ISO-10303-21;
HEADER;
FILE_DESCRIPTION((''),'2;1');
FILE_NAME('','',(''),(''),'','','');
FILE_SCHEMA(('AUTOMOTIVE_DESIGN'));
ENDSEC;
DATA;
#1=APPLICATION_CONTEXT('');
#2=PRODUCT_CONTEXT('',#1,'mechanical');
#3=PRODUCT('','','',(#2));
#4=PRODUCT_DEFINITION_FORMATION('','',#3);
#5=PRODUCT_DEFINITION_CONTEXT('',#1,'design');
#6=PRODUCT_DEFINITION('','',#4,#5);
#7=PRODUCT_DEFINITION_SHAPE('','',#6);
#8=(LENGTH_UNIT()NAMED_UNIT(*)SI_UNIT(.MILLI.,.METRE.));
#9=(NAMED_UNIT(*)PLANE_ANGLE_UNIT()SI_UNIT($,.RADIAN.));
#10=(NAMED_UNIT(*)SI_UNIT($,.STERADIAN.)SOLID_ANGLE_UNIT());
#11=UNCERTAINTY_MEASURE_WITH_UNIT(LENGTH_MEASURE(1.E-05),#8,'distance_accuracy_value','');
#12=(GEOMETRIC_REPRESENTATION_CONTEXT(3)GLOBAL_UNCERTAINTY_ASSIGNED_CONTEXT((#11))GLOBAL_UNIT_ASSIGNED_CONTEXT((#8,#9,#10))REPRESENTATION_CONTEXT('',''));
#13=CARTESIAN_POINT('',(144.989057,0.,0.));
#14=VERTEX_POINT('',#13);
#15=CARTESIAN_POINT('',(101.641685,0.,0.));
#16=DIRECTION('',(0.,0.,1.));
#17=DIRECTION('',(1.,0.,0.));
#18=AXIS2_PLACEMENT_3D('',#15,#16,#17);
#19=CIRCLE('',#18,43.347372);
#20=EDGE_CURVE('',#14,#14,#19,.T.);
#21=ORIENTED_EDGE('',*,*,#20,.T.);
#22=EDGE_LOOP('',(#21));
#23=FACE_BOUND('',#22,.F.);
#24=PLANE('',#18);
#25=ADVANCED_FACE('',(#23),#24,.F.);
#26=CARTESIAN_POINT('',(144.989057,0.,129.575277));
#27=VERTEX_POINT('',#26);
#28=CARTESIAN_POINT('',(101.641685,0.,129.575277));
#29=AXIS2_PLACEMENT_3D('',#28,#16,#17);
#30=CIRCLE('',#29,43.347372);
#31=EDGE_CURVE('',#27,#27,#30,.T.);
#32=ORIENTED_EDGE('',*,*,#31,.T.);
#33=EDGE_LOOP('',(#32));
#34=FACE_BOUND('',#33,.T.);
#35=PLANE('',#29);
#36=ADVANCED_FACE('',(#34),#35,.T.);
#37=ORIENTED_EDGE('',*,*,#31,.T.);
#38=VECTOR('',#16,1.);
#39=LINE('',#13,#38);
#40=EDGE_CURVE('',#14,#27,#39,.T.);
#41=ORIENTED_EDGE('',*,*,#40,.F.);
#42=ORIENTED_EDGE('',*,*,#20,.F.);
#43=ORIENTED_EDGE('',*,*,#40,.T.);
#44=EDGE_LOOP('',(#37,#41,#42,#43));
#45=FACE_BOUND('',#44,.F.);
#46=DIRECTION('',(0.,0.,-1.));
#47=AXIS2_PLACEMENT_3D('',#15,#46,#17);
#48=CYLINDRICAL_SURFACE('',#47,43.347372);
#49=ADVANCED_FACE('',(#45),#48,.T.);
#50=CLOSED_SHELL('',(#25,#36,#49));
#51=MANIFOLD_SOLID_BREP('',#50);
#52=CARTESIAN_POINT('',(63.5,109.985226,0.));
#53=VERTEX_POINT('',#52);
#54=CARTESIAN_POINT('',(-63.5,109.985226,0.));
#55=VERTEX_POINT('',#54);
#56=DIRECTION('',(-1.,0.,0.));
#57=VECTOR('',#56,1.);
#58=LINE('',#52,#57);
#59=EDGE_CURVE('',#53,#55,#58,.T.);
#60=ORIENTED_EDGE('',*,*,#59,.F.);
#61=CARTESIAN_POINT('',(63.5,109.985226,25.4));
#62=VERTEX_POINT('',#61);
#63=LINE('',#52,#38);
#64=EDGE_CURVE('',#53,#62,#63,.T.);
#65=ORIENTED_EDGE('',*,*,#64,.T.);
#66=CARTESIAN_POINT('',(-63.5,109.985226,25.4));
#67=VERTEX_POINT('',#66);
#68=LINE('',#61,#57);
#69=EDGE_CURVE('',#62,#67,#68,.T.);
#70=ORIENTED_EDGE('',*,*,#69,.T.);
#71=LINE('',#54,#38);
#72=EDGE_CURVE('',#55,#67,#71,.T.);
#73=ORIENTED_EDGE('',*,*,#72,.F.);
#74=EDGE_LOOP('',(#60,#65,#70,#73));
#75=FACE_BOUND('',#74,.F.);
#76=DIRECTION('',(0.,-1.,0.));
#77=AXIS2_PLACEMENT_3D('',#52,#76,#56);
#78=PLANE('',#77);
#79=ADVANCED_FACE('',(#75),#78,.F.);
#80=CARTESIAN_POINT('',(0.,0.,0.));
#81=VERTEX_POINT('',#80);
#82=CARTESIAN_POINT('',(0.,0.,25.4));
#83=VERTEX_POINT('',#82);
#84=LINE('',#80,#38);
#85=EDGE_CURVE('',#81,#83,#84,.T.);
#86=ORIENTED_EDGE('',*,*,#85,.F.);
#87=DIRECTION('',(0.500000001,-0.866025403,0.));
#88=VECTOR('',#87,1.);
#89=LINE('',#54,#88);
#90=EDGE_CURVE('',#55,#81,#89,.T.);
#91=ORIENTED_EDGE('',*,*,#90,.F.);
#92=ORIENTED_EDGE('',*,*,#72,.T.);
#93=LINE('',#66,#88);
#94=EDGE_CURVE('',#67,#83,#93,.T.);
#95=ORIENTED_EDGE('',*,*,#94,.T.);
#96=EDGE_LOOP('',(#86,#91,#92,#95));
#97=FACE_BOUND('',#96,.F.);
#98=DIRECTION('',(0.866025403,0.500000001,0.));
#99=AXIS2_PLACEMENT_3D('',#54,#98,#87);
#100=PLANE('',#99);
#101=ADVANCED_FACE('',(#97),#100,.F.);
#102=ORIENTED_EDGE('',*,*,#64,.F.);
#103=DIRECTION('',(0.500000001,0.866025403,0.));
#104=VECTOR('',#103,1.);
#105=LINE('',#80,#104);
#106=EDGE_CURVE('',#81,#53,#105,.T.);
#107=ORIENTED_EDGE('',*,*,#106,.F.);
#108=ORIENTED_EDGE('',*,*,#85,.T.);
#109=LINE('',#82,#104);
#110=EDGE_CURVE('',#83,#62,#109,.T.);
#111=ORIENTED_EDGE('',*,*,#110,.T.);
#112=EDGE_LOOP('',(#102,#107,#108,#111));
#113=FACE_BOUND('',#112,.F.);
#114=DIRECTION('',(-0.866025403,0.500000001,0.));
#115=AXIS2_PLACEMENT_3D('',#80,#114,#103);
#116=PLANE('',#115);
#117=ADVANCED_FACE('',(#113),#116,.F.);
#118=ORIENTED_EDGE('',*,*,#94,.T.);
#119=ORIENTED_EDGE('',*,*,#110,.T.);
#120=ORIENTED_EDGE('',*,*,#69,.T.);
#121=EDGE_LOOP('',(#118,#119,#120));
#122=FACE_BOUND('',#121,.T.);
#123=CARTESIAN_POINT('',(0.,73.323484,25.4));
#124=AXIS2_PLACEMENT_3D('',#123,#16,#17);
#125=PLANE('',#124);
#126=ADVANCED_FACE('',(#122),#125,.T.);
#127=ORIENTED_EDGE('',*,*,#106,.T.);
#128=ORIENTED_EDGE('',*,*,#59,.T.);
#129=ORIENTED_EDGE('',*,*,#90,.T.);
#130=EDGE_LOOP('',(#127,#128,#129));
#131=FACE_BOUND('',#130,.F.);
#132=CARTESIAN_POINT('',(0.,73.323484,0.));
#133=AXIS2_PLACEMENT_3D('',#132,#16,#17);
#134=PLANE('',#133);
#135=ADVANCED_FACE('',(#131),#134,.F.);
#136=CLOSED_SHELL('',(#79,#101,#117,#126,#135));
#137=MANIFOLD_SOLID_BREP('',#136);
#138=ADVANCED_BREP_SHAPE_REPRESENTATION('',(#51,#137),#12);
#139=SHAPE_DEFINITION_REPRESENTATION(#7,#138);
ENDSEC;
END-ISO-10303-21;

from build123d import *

# Parameters (mm, degrees)
F1_DEPTH = 25.4
F2_R     = 43.347372
F3_DEPTH = 129.575277


with BuildPart() as f1:
    # F0 (on Top) → F1 (new body)
    with BuildSketch(Plane.XY):
        Polygon((-63.5, 109.985226), (0, 0), (63.5, 109.985226), align=None)
    extrude(amount=F1_DEPTH)


with BuildPart() as f3:
    # F2 (on Top) → F3 (new body)
    with BuildSketch(Plane.XY):
        with Locations((101.641685, 0)):
            Circle(F2_R)
    extrude(amount=F3_DEPTH)


solid = Compound([f1.part, f3.part])
